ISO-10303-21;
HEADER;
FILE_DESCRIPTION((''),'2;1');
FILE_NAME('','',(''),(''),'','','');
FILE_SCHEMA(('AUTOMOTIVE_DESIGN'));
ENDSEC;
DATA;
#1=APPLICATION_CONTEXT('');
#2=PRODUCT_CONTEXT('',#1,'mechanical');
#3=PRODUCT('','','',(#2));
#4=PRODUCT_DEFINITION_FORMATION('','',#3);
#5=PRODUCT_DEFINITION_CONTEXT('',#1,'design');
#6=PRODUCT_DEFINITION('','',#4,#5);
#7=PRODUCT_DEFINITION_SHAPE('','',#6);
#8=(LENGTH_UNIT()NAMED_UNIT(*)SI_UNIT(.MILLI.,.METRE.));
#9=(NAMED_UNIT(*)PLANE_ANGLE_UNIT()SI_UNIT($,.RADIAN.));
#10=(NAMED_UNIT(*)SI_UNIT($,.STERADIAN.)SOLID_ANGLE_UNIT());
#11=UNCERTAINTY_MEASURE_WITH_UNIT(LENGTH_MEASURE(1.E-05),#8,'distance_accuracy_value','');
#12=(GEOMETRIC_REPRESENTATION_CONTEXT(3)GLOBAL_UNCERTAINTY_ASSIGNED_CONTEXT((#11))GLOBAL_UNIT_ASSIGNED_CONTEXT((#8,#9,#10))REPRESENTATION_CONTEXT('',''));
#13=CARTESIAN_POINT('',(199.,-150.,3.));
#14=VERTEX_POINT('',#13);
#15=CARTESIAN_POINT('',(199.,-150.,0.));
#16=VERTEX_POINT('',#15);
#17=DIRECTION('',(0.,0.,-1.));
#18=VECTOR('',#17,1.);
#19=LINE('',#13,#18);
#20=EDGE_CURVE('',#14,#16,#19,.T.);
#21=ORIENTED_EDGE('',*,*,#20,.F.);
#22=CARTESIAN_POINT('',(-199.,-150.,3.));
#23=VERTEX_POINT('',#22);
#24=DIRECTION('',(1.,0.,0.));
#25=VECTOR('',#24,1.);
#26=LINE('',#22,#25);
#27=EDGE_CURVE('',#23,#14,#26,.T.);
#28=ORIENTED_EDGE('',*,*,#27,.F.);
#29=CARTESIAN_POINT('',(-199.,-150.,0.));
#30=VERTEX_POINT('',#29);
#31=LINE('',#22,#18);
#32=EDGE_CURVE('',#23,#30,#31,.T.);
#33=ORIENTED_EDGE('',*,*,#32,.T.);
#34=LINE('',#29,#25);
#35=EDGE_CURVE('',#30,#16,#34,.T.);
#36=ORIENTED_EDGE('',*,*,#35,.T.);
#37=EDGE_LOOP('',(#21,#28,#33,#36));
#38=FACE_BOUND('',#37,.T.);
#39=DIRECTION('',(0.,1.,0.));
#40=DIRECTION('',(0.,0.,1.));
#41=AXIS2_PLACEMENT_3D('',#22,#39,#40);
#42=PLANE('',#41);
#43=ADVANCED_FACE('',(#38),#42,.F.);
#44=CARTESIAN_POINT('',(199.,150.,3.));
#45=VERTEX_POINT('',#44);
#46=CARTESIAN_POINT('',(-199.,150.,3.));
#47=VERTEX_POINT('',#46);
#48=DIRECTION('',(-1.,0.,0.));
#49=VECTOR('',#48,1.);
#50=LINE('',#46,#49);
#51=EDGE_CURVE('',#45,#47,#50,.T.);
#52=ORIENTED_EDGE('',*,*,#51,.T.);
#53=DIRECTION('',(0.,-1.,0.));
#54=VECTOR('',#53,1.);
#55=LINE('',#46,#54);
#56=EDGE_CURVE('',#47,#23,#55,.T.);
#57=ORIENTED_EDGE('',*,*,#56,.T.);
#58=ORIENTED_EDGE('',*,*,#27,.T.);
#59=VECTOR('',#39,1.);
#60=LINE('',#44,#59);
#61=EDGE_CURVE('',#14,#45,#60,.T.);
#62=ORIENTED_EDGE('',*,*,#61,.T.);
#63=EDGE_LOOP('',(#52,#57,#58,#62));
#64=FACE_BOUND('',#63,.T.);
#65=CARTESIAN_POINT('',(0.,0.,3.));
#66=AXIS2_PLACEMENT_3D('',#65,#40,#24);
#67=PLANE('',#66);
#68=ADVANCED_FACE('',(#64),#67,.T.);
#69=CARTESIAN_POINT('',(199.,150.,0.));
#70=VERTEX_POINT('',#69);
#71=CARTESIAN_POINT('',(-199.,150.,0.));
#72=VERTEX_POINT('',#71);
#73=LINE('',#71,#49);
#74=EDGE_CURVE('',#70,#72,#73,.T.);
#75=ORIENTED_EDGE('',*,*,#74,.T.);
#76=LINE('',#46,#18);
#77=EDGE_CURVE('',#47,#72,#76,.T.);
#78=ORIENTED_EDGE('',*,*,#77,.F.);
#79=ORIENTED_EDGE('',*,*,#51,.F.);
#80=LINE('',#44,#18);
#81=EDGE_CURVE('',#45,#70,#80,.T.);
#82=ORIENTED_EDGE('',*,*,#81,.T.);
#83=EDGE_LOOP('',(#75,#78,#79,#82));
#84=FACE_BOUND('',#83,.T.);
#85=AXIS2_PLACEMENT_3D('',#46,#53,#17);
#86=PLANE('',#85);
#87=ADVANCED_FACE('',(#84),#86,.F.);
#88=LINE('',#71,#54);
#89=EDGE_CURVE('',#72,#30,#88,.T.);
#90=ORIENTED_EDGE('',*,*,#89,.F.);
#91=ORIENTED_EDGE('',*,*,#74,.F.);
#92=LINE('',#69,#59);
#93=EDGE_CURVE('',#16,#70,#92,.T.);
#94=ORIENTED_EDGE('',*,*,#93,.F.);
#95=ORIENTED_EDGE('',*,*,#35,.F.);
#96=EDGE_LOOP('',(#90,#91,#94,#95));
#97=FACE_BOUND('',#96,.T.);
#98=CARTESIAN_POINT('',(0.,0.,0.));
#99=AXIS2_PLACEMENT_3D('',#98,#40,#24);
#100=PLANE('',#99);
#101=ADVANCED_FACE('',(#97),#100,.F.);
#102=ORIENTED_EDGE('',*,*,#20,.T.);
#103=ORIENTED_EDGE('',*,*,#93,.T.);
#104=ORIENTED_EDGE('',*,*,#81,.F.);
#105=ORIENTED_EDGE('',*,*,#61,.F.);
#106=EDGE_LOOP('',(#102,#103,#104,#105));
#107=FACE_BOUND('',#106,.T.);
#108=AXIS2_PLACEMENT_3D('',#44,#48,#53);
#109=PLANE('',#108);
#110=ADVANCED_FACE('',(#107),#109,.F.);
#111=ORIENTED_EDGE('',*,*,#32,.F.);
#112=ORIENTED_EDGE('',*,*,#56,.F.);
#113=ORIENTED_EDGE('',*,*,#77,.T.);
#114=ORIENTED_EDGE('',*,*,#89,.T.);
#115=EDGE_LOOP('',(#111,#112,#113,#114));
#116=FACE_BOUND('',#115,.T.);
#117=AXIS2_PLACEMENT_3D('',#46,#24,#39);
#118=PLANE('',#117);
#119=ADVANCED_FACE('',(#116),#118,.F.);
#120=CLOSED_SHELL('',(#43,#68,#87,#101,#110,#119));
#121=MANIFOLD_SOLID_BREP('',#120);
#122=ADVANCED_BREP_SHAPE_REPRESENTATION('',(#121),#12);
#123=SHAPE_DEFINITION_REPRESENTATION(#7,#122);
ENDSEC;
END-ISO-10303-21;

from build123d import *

# Parameters (mm, degrees)
CROQUIS1_W              = 398
CROQUIS1_H              = 300
SALIENTE_EXTRUIR1_DEPTH = 3


with BuildPart() as part:
    # Croquis1 → Saliente-Extruir1 (new body)
    with BuildSketch(Plane.XY):
        Rectangle(CROQUIS1_W, CROQUIS1_H)
    extrude(amount=SALIENTE_EXTRUIR1_DEPTH)


solid = part.part
